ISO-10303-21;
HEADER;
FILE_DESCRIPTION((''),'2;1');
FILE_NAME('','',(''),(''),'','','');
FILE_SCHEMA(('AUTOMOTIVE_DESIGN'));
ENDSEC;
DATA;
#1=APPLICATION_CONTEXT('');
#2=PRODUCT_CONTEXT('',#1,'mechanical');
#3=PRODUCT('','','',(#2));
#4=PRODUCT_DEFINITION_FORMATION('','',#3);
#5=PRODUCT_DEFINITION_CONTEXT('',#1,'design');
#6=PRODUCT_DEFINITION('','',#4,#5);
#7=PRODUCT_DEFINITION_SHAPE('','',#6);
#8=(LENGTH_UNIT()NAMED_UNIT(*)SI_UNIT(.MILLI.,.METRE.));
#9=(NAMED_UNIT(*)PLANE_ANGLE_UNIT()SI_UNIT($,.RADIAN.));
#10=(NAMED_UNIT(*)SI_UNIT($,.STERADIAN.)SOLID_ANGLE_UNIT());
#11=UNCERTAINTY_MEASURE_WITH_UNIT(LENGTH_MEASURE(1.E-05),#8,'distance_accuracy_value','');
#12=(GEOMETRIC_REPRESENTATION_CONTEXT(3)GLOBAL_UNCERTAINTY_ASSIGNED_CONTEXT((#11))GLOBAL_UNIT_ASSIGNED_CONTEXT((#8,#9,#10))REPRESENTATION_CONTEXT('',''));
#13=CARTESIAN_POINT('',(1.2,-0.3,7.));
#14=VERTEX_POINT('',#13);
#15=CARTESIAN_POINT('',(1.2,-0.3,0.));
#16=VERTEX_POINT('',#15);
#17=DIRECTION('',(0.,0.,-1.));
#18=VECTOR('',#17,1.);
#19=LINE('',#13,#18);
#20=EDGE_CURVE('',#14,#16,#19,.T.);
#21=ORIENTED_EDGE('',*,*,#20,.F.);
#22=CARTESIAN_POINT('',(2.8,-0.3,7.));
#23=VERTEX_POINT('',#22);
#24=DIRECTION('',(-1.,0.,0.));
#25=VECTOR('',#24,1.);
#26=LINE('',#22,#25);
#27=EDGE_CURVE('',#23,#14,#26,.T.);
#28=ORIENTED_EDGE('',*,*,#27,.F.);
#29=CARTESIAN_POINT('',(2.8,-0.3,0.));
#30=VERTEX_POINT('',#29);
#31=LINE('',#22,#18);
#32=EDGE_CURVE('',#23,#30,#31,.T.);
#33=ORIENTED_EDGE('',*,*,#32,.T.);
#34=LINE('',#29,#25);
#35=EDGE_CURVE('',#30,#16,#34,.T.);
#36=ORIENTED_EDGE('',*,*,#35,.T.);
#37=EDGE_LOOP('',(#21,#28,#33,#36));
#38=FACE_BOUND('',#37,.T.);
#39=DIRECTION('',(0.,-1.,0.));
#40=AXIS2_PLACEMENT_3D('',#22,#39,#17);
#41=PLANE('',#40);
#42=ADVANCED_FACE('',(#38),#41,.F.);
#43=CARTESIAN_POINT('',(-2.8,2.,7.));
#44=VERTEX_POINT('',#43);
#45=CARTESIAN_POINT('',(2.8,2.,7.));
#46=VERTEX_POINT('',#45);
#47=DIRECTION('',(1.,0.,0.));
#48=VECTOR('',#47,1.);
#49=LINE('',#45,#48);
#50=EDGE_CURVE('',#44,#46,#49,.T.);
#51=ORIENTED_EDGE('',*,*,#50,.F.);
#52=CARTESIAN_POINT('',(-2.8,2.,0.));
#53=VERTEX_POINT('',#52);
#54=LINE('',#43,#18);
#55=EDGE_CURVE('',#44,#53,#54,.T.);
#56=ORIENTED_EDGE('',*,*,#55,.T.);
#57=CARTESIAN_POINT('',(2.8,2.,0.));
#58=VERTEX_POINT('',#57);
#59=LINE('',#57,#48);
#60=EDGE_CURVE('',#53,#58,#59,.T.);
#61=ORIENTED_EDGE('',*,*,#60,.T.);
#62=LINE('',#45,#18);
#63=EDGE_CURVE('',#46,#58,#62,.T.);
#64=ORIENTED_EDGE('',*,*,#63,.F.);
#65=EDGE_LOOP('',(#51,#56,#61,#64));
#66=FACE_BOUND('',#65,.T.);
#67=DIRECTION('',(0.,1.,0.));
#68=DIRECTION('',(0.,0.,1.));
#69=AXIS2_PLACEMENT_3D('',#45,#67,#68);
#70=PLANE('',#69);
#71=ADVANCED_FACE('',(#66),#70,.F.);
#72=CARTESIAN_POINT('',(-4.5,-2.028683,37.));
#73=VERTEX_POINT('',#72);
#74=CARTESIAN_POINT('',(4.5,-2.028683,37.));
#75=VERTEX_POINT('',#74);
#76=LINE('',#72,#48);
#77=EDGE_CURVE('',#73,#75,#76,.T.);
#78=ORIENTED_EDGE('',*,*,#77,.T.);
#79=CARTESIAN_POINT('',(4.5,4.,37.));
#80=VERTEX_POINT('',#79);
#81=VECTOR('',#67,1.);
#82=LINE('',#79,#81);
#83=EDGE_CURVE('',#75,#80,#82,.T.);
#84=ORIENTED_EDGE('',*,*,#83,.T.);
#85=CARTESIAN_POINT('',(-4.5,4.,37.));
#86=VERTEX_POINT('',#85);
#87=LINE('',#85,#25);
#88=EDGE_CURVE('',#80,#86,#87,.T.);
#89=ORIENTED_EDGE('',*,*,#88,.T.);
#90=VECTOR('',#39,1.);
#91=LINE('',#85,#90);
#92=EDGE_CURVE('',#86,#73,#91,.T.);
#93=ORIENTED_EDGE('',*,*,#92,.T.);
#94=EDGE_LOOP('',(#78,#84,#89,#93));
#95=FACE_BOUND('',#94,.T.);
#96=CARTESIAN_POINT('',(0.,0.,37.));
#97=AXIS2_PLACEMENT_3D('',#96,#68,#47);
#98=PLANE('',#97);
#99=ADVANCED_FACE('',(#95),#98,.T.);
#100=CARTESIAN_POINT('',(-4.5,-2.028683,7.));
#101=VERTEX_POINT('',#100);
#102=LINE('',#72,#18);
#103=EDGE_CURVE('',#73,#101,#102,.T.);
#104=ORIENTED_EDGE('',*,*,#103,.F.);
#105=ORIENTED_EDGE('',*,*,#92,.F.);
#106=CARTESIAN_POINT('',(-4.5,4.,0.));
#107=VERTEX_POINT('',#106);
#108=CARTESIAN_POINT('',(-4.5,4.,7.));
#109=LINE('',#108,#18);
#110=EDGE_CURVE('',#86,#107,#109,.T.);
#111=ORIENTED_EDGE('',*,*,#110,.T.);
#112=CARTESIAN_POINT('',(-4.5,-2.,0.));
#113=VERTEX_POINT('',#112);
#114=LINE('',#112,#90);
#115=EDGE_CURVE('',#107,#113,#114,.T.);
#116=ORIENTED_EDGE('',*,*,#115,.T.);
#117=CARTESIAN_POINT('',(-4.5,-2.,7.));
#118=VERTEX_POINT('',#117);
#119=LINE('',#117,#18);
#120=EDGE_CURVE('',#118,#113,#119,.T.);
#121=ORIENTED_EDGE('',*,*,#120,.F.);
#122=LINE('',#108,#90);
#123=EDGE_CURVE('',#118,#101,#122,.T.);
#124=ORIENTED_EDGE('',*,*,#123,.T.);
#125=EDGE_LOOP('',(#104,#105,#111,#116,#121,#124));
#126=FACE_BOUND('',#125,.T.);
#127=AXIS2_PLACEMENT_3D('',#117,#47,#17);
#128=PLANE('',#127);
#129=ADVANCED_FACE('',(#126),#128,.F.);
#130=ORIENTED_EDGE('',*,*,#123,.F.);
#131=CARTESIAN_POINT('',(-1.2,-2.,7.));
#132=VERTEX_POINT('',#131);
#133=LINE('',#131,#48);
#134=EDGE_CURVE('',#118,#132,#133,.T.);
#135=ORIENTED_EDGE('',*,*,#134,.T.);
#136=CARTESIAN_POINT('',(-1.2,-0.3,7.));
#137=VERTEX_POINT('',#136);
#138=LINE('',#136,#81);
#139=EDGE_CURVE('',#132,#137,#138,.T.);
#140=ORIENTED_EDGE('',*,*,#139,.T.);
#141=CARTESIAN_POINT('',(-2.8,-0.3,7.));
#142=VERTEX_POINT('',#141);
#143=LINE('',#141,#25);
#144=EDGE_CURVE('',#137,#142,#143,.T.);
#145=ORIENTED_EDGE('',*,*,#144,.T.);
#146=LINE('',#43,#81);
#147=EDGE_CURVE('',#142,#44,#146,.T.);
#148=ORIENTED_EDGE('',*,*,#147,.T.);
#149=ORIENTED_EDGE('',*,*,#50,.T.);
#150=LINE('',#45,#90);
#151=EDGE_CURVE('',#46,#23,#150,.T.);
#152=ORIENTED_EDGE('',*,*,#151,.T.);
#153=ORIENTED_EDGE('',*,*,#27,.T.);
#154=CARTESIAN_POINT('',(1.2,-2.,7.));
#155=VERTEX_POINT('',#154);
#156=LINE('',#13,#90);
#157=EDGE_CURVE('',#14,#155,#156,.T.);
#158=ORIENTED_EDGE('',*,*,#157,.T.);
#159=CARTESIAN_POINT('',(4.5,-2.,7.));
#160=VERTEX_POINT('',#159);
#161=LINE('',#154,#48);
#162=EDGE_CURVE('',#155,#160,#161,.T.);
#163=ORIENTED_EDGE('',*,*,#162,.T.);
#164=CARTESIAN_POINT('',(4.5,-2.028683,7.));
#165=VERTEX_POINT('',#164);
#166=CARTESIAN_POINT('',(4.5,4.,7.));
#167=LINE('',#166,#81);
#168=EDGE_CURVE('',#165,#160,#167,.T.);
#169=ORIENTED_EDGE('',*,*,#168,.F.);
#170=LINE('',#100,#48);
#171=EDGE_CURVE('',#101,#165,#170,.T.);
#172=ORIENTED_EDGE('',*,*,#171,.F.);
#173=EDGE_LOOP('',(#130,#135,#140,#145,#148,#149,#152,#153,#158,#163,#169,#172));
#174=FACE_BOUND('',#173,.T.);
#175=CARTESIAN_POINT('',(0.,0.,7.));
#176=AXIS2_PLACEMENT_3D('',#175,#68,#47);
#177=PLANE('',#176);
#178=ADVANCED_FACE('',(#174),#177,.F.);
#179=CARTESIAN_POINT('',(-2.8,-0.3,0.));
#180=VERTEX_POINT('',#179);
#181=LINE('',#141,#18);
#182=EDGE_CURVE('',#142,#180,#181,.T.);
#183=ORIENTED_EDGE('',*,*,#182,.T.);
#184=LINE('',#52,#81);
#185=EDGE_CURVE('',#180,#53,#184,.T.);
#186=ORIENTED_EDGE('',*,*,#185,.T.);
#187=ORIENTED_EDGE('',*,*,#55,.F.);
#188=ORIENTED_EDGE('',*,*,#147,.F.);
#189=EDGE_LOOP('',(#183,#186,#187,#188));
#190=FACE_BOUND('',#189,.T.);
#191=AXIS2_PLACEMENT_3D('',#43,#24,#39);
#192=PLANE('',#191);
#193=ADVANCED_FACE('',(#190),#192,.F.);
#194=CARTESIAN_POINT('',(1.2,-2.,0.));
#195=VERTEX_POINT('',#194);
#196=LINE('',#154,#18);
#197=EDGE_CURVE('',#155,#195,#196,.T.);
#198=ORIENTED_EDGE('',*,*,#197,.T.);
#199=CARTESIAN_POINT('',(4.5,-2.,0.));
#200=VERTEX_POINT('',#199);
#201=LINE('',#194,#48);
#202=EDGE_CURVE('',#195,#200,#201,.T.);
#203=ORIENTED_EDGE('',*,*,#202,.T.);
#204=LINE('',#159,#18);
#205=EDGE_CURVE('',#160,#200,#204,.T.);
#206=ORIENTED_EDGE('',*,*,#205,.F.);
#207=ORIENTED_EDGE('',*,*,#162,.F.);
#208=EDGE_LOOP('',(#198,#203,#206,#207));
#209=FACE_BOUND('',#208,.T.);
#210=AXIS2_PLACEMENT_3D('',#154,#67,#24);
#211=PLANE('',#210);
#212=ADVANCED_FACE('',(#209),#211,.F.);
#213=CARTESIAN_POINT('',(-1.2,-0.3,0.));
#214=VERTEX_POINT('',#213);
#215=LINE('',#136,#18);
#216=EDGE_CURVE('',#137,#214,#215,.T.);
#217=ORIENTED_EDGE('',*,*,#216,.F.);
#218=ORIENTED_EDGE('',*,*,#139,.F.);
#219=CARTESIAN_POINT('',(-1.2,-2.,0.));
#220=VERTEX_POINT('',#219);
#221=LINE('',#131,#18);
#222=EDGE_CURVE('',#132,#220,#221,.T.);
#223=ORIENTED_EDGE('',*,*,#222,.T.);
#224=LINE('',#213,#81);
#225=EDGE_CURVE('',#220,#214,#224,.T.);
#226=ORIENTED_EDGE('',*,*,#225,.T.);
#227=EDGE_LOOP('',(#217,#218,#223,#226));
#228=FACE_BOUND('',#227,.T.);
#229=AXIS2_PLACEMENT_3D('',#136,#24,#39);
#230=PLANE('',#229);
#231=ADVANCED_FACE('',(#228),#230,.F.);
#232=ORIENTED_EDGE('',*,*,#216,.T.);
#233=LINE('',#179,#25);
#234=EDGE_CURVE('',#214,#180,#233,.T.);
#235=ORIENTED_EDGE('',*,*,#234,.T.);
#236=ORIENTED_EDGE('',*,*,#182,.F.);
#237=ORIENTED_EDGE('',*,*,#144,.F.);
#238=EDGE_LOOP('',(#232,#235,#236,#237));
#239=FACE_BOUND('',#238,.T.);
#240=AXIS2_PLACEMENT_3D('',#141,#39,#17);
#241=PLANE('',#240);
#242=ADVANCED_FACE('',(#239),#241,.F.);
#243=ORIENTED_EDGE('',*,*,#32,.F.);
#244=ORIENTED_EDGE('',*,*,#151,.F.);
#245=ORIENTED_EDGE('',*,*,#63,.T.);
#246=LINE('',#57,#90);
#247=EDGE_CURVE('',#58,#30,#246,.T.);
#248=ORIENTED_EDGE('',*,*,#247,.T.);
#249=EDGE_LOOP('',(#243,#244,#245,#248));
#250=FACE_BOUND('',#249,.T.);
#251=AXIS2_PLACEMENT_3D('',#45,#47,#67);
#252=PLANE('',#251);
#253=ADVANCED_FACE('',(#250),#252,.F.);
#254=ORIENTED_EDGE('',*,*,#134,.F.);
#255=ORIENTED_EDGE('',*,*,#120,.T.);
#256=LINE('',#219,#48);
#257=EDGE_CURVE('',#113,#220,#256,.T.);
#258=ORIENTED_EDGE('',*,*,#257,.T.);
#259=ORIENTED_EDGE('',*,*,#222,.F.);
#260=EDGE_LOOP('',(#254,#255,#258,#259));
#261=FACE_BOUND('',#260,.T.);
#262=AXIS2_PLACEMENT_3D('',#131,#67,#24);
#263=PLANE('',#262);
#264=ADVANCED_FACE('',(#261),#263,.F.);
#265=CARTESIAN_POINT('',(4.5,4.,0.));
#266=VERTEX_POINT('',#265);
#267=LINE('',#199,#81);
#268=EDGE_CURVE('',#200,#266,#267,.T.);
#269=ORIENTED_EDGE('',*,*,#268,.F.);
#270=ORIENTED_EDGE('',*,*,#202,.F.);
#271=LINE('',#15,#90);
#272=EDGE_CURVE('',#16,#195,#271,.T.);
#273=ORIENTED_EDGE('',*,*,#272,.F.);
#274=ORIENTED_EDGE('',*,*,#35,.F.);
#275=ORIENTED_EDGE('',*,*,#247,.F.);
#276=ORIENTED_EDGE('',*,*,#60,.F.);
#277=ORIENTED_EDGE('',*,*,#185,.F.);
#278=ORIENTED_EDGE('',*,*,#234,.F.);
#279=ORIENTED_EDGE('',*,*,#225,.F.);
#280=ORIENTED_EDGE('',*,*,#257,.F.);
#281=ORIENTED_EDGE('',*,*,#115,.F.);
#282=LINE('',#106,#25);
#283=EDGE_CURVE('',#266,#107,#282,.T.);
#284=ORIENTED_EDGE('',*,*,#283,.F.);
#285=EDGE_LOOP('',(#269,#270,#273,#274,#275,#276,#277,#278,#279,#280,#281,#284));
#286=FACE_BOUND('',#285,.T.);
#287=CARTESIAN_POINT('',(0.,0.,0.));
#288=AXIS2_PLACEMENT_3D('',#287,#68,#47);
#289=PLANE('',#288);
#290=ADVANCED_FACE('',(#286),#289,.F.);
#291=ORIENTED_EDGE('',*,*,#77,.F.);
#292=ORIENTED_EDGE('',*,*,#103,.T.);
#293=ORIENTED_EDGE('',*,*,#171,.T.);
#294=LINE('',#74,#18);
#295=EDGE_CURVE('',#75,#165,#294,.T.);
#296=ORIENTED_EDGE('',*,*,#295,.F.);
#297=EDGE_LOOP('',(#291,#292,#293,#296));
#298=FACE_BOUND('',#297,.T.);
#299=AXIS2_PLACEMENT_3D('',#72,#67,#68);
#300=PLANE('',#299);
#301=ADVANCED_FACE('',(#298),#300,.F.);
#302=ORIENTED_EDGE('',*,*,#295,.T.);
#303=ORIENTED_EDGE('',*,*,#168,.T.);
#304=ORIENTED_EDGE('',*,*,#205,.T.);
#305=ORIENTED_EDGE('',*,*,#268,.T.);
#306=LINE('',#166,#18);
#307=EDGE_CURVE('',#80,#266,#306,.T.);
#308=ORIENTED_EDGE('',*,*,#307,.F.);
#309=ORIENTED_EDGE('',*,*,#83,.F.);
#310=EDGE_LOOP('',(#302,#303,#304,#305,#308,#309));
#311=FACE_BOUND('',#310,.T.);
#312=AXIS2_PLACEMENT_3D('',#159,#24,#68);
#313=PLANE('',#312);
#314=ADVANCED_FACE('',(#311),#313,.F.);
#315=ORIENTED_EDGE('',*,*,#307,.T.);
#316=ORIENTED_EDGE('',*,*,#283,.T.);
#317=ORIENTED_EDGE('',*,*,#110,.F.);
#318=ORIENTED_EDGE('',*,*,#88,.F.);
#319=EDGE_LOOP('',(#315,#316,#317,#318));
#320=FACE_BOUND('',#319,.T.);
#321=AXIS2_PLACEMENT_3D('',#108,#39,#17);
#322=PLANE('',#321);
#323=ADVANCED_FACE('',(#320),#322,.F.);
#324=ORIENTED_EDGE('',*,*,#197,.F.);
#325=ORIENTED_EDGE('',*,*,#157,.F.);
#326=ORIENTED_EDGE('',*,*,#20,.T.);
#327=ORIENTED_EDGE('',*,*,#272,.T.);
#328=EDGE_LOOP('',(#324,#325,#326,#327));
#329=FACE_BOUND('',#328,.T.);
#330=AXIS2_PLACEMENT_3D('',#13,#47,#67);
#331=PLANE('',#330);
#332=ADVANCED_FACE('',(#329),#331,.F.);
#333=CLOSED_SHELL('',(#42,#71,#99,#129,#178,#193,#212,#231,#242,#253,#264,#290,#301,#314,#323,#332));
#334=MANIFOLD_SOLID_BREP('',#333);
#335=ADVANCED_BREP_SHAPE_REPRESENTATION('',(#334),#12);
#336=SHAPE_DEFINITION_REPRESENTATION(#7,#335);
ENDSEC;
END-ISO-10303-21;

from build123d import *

# Parameters (mm, degrees)
BOSS_EXTRUDE1_DEPTH = 7
SKETCH4_W           = 9
SKETCH4_H           = 6.028682547
BOSS_EXTRUDE2_DEPTH = 30


with BuildPart() as part:
    # Sketch3 → Boss-Extrude1 (new body)
    with BuildSketch(Plane.XY):
        Polygon((-1.2, -2), (-4.5, -2), (-4.5, 4), (4.5, 4), (4.5, -2), (1.2, -2), (1.2, -0.3), (2.8, -0.3), (2.8, 2), (-2.8, 2), (-2.8, -0.3), (-1.2, -0.3), align=None)
    extrude(amount=BOSS_EXTRUDE1_DEPTH)

    # Sketch4 → Boss-Extrude2 (add)
    with BuildSketch(Plane.XY.offset(7)):
        with Locations((0, 0.985658726)):
            Rectangle(SKETCH4_W, SKETCH4_H)
    extrude(amount=BOSS_EXTRUDE2_DEPTH)


solid = part.part
